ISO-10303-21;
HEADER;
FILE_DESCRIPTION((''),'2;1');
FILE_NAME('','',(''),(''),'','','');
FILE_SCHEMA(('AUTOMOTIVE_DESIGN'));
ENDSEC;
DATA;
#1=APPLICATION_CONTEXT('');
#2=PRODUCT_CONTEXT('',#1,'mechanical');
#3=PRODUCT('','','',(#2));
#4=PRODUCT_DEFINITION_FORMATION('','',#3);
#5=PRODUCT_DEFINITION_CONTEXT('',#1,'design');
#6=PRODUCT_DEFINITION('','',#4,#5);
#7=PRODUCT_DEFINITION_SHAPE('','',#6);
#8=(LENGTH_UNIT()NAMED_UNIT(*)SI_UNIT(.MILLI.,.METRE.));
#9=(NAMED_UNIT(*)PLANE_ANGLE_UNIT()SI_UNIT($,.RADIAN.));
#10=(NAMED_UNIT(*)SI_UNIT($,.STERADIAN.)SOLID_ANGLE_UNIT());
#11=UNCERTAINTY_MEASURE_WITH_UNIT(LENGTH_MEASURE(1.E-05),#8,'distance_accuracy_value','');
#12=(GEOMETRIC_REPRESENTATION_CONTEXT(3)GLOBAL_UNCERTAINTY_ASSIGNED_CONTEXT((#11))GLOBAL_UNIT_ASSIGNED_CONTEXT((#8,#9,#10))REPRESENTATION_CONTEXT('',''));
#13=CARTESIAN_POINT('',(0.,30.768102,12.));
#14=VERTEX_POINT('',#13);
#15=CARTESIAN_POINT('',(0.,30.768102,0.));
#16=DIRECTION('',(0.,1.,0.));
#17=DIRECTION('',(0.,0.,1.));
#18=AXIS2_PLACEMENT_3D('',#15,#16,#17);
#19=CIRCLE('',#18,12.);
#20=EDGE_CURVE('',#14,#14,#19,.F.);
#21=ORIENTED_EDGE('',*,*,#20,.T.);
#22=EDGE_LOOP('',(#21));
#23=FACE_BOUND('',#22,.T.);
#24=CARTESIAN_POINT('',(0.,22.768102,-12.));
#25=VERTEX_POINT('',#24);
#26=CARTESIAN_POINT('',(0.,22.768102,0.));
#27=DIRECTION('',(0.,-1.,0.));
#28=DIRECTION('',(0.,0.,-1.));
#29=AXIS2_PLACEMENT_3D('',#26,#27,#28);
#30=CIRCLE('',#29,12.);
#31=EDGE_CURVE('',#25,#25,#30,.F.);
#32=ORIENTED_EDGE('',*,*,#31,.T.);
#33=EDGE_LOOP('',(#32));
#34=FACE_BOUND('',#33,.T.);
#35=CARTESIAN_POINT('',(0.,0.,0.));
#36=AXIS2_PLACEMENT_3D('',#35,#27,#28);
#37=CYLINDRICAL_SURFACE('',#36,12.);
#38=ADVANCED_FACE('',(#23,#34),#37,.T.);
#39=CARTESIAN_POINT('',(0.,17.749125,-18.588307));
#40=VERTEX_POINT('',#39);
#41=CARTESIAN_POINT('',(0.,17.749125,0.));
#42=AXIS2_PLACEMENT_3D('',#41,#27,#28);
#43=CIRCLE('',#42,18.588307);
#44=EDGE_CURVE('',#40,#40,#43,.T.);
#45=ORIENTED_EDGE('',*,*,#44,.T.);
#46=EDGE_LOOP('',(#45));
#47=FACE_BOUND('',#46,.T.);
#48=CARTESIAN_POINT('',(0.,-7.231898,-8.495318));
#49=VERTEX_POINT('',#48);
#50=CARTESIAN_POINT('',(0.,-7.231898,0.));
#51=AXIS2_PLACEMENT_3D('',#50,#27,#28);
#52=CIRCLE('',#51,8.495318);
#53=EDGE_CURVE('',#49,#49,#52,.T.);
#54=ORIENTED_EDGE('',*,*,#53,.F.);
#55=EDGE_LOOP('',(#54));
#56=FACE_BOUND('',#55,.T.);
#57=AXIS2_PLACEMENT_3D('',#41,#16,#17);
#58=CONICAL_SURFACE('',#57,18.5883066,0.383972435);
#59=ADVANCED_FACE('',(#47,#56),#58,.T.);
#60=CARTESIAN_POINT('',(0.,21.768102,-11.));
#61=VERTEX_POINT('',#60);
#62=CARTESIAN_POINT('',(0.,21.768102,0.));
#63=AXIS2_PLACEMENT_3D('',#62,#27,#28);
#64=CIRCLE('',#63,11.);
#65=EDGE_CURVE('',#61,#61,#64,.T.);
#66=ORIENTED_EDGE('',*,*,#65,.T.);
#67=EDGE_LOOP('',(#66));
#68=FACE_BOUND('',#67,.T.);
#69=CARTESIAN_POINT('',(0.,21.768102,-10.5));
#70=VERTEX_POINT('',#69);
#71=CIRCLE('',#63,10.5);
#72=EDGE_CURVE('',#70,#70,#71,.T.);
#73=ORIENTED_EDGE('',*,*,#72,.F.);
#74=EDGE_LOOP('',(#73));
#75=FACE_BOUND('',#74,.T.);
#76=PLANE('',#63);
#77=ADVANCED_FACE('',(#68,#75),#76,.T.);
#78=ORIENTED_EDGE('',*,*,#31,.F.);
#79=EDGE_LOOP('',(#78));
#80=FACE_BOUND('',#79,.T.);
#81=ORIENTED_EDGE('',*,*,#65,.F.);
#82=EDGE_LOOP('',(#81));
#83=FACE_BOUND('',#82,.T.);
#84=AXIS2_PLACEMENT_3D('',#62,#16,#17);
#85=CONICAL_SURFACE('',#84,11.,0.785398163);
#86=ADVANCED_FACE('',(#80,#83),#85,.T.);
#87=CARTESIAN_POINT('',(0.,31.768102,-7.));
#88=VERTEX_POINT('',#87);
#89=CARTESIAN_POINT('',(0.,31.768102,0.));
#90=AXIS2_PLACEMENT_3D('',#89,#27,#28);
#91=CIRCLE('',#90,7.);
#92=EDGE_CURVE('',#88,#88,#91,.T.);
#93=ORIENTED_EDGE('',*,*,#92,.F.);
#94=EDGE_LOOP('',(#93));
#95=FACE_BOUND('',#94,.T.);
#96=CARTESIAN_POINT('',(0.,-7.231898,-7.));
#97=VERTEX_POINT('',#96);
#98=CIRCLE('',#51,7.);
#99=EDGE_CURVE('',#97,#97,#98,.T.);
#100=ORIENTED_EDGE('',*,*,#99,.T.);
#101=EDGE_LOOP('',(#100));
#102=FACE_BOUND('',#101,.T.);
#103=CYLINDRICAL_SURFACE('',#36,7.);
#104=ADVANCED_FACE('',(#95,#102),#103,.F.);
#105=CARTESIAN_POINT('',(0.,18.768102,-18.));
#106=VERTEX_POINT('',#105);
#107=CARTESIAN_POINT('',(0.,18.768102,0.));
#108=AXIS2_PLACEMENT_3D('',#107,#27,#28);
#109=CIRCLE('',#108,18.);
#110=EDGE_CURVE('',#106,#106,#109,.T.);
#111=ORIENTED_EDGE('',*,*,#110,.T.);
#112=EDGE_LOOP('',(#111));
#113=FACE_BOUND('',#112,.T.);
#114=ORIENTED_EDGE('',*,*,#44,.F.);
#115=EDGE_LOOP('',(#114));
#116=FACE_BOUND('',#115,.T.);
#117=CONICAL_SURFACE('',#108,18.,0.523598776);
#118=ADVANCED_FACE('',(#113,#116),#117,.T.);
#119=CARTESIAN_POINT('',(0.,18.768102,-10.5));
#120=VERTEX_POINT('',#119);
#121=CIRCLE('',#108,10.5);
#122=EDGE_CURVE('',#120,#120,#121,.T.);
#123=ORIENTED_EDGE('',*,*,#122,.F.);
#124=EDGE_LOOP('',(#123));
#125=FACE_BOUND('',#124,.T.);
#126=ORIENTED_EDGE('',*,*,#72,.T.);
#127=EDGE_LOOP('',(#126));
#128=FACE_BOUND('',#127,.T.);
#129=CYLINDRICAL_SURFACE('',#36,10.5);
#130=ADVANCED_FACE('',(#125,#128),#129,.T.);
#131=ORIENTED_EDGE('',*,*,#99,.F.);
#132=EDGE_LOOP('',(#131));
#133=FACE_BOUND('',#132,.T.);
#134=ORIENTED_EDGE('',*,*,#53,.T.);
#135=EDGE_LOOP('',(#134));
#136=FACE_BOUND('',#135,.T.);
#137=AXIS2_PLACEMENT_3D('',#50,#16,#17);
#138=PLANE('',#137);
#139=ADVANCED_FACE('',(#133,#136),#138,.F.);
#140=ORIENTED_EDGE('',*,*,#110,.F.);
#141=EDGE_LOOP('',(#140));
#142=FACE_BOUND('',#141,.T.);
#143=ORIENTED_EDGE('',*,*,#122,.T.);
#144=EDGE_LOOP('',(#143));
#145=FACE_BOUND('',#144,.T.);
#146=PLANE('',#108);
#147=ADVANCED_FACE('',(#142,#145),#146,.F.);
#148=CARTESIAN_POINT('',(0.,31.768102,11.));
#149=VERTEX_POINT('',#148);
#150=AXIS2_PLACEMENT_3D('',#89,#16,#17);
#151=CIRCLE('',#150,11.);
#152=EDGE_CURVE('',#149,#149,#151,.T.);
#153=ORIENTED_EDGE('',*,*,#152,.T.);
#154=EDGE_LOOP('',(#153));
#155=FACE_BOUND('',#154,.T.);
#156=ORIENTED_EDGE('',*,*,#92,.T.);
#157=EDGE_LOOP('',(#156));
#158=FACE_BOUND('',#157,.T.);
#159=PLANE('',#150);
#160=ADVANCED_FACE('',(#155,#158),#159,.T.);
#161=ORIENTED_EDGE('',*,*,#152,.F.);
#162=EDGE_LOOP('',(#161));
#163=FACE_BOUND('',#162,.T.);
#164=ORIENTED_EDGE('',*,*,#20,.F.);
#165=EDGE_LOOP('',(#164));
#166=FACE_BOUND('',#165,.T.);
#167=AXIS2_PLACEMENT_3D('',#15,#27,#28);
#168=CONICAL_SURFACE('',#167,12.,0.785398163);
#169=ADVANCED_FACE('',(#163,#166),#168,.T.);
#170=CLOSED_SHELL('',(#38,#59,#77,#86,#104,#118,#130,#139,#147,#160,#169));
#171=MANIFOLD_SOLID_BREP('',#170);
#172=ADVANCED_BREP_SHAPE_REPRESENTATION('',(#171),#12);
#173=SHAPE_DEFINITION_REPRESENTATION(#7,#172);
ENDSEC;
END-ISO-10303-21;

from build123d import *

# Parameters (mm, degrees)
CHANFRO1_SIZE = 1
CHANFRO2_SIZE = 1


with BuildPart() as part:
    # Esboço1 → Revolução1 (revolve)
    with BuildSketch(Plane(origin=(0, 0, 0), x_dir=(0, 0, -1), z_dir=(1, 0, 0))):
        Polygon((18, 18.768101913), (10.5, 18.768101913), (10.5, 21.768101913), (12, 21.768101913), (12, 31.768101913), (7, 31.768101913), (7, -7.231898087), (8.495318128, -7.231898087), (18.5883066, 17.749124991), align=None)
    revolve(axis=Axis((0, 0, 0), (0, 1, 0)))

    # Chanfro1
    chanfro1_edges = [part.edges().sort_by_distance(p)[0] for p in [
        (0, 31.768101913, 12),
    ]]
    chamfer(chanfro1_edges, length=CHANFRO1_SIZE)

    # Chanfro2
    chanfro2_edges = [part.edges().sort_by_distance(p)[0] for p in [
        (0, 21.768101913, 12),
    ]]
    chamfer(chanfro2_edges, length=CHANFRO2_SIZE)


solid = part.part
